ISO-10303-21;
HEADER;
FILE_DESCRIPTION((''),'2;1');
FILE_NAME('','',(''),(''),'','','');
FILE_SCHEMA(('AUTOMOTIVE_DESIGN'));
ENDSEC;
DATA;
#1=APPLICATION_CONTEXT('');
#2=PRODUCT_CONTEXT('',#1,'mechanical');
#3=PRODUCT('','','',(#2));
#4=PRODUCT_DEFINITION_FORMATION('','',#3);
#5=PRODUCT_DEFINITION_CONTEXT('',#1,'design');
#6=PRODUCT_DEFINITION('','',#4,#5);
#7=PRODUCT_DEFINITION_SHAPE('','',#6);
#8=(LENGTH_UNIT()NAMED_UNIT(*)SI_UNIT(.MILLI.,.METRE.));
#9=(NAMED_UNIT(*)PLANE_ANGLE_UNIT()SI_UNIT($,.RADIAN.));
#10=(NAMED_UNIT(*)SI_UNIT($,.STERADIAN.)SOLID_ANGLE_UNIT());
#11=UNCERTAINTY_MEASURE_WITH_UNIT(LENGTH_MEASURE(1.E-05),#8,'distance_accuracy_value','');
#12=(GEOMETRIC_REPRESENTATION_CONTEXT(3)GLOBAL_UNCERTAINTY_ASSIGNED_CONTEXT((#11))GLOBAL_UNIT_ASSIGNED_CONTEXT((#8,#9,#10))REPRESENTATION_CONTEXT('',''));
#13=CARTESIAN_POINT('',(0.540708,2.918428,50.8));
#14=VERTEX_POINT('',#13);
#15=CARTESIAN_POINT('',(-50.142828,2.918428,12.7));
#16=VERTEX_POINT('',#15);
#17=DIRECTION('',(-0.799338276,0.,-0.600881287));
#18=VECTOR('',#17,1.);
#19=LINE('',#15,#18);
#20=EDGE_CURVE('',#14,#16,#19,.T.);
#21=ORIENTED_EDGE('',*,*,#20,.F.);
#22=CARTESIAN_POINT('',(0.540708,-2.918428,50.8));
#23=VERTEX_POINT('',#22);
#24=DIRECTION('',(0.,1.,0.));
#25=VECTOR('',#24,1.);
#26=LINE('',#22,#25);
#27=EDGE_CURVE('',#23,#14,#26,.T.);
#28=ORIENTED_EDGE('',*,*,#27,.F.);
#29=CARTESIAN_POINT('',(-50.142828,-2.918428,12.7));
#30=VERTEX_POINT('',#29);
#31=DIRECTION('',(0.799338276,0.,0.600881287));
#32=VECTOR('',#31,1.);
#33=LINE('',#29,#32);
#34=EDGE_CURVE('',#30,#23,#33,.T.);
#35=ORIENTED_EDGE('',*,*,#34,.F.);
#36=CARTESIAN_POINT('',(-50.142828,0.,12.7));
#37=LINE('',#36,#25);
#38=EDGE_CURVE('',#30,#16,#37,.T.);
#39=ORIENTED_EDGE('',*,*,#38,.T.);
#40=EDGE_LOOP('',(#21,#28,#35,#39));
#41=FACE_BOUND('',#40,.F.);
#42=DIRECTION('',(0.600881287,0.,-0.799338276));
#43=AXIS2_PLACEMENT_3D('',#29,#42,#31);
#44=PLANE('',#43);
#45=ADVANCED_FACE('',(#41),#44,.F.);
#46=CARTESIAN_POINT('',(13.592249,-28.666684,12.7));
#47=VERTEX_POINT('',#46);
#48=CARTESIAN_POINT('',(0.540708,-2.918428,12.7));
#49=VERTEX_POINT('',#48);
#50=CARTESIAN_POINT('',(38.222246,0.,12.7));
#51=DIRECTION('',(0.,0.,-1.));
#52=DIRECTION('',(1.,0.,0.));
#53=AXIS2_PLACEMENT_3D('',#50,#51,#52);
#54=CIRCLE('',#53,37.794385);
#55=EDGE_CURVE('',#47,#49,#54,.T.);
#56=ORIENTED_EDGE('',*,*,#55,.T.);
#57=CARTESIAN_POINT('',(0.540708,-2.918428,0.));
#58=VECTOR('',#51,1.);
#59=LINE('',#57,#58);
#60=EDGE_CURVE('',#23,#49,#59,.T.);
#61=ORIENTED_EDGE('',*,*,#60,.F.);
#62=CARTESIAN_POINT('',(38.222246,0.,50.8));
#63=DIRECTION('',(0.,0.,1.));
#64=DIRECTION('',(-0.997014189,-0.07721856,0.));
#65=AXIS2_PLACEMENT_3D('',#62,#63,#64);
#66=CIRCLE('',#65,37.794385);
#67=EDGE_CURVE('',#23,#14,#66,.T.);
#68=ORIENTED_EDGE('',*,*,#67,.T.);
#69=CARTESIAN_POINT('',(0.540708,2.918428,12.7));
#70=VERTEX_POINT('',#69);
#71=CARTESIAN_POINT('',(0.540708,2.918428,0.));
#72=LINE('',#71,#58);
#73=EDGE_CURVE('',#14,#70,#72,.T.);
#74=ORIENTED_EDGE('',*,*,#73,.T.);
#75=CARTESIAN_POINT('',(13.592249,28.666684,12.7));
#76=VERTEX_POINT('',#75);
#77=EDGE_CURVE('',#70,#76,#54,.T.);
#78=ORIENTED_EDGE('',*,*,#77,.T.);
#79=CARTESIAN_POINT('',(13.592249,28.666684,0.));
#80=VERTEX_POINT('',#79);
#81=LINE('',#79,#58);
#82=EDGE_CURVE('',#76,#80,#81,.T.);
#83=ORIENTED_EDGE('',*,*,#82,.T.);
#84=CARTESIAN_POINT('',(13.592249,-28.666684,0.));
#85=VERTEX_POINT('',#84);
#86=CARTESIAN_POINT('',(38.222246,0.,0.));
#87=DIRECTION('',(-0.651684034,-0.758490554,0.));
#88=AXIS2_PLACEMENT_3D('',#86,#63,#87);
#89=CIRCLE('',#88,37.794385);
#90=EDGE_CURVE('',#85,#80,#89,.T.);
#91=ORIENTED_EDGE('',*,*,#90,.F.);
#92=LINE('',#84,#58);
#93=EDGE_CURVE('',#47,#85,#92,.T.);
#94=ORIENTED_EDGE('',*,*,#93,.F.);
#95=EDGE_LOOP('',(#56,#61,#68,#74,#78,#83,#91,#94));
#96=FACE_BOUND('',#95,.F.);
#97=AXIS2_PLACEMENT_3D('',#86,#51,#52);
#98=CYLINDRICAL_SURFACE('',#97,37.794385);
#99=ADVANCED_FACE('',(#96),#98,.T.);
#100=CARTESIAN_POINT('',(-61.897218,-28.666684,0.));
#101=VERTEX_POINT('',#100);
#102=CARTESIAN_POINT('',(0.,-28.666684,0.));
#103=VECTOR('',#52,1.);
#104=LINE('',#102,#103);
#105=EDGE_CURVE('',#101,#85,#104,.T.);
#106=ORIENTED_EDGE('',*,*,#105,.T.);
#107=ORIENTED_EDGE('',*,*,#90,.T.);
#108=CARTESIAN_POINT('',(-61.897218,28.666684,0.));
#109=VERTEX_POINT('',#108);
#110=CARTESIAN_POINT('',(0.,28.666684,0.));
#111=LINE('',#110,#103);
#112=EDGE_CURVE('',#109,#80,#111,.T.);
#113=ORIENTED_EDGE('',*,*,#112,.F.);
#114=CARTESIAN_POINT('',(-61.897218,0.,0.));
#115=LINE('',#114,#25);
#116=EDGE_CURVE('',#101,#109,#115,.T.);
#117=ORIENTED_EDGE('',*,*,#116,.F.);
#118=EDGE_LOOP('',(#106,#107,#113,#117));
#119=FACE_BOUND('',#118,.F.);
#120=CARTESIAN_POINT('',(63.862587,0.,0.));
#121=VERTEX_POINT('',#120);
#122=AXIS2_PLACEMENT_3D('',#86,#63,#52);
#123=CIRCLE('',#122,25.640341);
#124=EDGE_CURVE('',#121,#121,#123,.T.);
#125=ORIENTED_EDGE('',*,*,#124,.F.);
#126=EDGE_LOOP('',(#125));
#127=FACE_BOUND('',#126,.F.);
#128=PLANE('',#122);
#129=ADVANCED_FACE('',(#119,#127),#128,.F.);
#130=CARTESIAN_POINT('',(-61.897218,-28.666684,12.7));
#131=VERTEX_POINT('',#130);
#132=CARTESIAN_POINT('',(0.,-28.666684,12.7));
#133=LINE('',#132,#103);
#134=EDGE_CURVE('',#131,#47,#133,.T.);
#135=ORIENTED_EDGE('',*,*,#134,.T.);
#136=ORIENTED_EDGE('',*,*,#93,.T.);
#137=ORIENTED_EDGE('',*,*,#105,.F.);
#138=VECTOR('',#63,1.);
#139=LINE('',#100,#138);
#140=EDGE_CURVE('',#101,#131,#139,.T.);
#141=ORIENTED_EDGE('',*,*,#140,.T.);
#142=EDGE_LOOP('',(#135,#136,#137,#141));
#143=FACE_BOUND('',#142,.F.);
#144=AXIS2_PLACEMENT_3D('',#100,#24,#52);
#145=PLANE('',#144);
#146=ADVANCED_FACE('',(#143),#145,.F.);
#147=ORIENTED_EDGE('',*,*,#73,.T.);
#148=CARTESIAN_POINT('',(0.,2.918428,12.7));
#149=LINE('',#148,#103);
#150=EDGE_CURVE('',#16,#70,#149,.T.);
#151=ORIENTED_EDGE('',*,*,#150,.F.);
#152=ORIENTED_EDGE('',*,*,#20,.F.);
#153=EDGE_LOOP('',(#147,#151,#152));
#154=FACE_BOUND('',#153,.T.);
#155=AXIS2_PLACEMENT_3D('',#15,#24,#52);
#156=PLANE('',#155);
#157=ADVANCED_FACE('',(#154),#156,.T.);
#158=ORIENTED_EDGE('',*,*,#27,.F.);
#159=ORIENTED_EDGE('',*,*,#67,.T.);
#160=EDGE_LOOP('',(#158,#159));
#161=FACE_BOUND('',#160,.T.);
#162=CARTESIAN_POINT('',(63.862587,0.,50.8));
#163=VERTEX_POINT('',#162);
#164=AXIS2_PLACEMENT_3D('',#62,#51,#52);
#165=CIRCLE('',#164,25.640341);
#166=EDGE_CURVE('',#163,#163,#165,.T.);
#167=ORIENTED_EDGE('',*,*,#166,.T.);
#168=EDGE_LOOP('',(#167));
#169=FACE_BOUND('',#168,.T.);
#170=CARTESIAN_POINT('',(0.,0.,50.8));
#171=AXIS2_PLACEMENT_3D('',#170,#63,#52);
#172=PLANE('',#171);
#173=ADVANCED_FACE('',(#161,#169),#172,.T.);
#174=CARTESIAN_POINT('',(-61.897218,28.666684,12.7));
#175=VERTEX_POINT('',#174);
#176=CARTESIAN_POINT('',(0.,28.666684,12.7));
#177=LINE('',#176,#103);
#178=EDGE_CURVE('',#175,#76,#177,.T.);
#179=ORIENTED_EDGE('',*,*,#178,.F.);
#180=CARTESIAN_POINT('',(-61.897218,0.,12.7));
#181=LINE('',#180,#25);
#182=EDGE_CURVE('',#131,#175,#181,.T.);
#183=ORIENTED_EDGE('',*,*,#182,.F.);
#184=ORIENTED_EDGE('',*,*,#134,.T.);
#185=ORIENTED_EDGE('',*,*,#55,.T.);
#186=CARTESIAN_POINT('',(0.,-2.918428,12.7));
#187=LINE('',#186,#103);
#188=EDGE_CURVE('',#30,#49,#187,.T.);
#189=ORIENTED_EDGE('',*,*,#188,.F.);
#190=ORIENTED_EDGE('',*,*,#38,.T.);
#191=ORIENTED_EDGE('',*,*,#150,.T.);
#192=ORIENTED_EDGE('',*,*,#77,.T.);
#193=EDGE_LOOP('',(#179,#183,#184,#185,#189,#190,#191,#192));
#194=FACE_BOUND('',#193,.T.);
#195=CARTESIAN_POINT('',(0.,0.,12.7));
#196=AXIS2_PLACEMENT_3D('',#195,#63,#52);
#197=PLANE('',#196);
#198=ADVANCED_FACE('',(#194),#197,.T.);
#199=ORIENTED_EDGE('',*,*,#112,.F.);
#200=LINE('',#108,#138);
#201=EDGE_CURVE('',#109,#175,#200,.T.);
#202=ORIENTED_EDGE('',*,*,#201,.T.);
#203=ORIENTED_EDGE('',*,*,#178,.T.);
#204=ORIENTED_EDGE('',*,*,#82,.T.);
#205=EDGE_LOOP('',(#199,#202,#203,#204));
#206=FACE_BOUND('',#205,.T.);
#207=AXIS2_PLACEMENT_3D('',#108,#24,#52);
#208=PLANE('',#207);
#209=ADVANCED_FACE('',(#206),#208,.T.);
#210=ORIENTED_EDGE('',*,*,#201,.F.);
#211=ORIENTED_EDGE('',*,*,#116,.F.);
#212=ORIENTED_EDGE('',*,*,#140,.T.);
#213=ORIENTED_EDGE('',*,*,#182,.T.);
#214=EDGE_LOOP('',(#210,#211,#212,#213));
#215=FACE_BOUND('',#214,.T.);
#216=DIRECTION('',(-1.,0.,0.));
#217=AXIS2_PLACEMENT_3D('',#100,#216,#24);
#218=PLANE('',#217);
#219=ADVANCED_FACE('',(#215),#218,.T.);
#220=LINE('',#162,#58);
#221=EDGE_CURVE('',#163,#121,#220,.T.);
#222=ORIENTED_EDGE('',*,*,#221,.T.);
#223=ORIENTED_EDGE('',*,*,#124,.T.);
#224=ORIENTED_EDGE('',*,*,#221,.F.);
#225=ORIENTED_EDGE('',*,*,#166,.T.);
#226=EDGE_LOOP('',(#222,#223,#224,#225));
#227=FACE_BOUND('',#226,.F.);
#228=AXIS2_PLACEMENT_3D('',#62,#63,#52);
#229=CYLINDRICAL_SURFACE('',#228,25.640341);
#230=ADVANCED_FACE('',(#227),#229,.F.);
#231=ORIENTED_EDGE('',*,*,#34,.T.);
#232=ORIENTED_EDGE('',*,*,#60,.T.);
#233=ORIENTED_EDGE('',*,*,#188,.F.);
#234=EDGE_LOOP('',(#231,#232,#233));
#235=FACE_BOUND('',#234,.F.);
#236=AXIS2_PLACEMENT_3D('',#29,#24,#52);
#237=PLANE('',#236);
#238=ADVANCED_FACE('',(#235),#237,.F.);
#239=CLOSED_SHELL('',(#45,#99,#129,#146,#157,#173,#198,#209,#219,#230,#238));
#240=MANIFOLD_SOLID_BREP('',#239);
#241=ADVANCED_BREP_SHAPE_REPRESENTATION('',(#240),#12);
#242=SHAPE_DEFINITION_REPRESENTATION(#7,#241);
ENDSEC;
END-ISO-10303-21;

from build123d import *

# Parameters (mm, degrees)
F0_W      = 123.794436
F0_H      = 57.333368
F1_DEPTH  = 12.7
F2_R      = 37.794385
F3_DEPTH  = 50.8
F4_R      = 25.640341
F5_DEPTH  = 50.8
F6_W      = 100.285656
F6_H      = 5.836856
F7_DEPTH  = 38.1
F8_R      = 25.640341
F9_DEPTH  = 50.8
F11_DEPTH = 25.4


with BuildPart() as f1:
    # F0 (on Top) → F1 (new body)
    with BuildSketch(Plane.XY):
        Rectangle(F0_W, F0_H)
    extrude(amount=F1_DEPTH)

    # F2 (on Top) → F3 (join)
    with BuildSketch(Plane.XY):
        with Locations((38.222246, 0)):
            Circle(F2_R)
    extrude(amount=F3_DEPTH)

    # F4 (on face) → F5 (cut)
    with BuildSketch(Plane.XY.offset(50.8)):
        with Locations((38.222246, 0)):
            Circle(F4_R)
    extrude(amount=-F5_DEPTH, mode=Mode.SUBTRACT)

    # F6 (on face) → F7 (join)
    with BuildSketch(Plane.XY.offset(12.7)):
        Rectangle(F6_W, F6_H)
    extrude(amount=F7_DEPTH)

    # F8 (on face) → F9 (cut)
    with BuildSketch(Plane.XY.offset(50.8)):
        with Locations((38.222246, 0)):
            Circle(F8_R)
    extrude(amount=-F9_DEPTH, mode=Mode.SUBTRACT)

    # F10 (on face) → F11 (cut)
    with BuildSketch(Plane.XZ.offset(2.918428)):
        Polygon((-50.142828, 12.7), (0.540708, 50.8), (-50.142828, 50.8), align=None)
    extrude(amount=-F11_DEPTH, mode=Mode.SUBTRACT)


solid = f1.part
